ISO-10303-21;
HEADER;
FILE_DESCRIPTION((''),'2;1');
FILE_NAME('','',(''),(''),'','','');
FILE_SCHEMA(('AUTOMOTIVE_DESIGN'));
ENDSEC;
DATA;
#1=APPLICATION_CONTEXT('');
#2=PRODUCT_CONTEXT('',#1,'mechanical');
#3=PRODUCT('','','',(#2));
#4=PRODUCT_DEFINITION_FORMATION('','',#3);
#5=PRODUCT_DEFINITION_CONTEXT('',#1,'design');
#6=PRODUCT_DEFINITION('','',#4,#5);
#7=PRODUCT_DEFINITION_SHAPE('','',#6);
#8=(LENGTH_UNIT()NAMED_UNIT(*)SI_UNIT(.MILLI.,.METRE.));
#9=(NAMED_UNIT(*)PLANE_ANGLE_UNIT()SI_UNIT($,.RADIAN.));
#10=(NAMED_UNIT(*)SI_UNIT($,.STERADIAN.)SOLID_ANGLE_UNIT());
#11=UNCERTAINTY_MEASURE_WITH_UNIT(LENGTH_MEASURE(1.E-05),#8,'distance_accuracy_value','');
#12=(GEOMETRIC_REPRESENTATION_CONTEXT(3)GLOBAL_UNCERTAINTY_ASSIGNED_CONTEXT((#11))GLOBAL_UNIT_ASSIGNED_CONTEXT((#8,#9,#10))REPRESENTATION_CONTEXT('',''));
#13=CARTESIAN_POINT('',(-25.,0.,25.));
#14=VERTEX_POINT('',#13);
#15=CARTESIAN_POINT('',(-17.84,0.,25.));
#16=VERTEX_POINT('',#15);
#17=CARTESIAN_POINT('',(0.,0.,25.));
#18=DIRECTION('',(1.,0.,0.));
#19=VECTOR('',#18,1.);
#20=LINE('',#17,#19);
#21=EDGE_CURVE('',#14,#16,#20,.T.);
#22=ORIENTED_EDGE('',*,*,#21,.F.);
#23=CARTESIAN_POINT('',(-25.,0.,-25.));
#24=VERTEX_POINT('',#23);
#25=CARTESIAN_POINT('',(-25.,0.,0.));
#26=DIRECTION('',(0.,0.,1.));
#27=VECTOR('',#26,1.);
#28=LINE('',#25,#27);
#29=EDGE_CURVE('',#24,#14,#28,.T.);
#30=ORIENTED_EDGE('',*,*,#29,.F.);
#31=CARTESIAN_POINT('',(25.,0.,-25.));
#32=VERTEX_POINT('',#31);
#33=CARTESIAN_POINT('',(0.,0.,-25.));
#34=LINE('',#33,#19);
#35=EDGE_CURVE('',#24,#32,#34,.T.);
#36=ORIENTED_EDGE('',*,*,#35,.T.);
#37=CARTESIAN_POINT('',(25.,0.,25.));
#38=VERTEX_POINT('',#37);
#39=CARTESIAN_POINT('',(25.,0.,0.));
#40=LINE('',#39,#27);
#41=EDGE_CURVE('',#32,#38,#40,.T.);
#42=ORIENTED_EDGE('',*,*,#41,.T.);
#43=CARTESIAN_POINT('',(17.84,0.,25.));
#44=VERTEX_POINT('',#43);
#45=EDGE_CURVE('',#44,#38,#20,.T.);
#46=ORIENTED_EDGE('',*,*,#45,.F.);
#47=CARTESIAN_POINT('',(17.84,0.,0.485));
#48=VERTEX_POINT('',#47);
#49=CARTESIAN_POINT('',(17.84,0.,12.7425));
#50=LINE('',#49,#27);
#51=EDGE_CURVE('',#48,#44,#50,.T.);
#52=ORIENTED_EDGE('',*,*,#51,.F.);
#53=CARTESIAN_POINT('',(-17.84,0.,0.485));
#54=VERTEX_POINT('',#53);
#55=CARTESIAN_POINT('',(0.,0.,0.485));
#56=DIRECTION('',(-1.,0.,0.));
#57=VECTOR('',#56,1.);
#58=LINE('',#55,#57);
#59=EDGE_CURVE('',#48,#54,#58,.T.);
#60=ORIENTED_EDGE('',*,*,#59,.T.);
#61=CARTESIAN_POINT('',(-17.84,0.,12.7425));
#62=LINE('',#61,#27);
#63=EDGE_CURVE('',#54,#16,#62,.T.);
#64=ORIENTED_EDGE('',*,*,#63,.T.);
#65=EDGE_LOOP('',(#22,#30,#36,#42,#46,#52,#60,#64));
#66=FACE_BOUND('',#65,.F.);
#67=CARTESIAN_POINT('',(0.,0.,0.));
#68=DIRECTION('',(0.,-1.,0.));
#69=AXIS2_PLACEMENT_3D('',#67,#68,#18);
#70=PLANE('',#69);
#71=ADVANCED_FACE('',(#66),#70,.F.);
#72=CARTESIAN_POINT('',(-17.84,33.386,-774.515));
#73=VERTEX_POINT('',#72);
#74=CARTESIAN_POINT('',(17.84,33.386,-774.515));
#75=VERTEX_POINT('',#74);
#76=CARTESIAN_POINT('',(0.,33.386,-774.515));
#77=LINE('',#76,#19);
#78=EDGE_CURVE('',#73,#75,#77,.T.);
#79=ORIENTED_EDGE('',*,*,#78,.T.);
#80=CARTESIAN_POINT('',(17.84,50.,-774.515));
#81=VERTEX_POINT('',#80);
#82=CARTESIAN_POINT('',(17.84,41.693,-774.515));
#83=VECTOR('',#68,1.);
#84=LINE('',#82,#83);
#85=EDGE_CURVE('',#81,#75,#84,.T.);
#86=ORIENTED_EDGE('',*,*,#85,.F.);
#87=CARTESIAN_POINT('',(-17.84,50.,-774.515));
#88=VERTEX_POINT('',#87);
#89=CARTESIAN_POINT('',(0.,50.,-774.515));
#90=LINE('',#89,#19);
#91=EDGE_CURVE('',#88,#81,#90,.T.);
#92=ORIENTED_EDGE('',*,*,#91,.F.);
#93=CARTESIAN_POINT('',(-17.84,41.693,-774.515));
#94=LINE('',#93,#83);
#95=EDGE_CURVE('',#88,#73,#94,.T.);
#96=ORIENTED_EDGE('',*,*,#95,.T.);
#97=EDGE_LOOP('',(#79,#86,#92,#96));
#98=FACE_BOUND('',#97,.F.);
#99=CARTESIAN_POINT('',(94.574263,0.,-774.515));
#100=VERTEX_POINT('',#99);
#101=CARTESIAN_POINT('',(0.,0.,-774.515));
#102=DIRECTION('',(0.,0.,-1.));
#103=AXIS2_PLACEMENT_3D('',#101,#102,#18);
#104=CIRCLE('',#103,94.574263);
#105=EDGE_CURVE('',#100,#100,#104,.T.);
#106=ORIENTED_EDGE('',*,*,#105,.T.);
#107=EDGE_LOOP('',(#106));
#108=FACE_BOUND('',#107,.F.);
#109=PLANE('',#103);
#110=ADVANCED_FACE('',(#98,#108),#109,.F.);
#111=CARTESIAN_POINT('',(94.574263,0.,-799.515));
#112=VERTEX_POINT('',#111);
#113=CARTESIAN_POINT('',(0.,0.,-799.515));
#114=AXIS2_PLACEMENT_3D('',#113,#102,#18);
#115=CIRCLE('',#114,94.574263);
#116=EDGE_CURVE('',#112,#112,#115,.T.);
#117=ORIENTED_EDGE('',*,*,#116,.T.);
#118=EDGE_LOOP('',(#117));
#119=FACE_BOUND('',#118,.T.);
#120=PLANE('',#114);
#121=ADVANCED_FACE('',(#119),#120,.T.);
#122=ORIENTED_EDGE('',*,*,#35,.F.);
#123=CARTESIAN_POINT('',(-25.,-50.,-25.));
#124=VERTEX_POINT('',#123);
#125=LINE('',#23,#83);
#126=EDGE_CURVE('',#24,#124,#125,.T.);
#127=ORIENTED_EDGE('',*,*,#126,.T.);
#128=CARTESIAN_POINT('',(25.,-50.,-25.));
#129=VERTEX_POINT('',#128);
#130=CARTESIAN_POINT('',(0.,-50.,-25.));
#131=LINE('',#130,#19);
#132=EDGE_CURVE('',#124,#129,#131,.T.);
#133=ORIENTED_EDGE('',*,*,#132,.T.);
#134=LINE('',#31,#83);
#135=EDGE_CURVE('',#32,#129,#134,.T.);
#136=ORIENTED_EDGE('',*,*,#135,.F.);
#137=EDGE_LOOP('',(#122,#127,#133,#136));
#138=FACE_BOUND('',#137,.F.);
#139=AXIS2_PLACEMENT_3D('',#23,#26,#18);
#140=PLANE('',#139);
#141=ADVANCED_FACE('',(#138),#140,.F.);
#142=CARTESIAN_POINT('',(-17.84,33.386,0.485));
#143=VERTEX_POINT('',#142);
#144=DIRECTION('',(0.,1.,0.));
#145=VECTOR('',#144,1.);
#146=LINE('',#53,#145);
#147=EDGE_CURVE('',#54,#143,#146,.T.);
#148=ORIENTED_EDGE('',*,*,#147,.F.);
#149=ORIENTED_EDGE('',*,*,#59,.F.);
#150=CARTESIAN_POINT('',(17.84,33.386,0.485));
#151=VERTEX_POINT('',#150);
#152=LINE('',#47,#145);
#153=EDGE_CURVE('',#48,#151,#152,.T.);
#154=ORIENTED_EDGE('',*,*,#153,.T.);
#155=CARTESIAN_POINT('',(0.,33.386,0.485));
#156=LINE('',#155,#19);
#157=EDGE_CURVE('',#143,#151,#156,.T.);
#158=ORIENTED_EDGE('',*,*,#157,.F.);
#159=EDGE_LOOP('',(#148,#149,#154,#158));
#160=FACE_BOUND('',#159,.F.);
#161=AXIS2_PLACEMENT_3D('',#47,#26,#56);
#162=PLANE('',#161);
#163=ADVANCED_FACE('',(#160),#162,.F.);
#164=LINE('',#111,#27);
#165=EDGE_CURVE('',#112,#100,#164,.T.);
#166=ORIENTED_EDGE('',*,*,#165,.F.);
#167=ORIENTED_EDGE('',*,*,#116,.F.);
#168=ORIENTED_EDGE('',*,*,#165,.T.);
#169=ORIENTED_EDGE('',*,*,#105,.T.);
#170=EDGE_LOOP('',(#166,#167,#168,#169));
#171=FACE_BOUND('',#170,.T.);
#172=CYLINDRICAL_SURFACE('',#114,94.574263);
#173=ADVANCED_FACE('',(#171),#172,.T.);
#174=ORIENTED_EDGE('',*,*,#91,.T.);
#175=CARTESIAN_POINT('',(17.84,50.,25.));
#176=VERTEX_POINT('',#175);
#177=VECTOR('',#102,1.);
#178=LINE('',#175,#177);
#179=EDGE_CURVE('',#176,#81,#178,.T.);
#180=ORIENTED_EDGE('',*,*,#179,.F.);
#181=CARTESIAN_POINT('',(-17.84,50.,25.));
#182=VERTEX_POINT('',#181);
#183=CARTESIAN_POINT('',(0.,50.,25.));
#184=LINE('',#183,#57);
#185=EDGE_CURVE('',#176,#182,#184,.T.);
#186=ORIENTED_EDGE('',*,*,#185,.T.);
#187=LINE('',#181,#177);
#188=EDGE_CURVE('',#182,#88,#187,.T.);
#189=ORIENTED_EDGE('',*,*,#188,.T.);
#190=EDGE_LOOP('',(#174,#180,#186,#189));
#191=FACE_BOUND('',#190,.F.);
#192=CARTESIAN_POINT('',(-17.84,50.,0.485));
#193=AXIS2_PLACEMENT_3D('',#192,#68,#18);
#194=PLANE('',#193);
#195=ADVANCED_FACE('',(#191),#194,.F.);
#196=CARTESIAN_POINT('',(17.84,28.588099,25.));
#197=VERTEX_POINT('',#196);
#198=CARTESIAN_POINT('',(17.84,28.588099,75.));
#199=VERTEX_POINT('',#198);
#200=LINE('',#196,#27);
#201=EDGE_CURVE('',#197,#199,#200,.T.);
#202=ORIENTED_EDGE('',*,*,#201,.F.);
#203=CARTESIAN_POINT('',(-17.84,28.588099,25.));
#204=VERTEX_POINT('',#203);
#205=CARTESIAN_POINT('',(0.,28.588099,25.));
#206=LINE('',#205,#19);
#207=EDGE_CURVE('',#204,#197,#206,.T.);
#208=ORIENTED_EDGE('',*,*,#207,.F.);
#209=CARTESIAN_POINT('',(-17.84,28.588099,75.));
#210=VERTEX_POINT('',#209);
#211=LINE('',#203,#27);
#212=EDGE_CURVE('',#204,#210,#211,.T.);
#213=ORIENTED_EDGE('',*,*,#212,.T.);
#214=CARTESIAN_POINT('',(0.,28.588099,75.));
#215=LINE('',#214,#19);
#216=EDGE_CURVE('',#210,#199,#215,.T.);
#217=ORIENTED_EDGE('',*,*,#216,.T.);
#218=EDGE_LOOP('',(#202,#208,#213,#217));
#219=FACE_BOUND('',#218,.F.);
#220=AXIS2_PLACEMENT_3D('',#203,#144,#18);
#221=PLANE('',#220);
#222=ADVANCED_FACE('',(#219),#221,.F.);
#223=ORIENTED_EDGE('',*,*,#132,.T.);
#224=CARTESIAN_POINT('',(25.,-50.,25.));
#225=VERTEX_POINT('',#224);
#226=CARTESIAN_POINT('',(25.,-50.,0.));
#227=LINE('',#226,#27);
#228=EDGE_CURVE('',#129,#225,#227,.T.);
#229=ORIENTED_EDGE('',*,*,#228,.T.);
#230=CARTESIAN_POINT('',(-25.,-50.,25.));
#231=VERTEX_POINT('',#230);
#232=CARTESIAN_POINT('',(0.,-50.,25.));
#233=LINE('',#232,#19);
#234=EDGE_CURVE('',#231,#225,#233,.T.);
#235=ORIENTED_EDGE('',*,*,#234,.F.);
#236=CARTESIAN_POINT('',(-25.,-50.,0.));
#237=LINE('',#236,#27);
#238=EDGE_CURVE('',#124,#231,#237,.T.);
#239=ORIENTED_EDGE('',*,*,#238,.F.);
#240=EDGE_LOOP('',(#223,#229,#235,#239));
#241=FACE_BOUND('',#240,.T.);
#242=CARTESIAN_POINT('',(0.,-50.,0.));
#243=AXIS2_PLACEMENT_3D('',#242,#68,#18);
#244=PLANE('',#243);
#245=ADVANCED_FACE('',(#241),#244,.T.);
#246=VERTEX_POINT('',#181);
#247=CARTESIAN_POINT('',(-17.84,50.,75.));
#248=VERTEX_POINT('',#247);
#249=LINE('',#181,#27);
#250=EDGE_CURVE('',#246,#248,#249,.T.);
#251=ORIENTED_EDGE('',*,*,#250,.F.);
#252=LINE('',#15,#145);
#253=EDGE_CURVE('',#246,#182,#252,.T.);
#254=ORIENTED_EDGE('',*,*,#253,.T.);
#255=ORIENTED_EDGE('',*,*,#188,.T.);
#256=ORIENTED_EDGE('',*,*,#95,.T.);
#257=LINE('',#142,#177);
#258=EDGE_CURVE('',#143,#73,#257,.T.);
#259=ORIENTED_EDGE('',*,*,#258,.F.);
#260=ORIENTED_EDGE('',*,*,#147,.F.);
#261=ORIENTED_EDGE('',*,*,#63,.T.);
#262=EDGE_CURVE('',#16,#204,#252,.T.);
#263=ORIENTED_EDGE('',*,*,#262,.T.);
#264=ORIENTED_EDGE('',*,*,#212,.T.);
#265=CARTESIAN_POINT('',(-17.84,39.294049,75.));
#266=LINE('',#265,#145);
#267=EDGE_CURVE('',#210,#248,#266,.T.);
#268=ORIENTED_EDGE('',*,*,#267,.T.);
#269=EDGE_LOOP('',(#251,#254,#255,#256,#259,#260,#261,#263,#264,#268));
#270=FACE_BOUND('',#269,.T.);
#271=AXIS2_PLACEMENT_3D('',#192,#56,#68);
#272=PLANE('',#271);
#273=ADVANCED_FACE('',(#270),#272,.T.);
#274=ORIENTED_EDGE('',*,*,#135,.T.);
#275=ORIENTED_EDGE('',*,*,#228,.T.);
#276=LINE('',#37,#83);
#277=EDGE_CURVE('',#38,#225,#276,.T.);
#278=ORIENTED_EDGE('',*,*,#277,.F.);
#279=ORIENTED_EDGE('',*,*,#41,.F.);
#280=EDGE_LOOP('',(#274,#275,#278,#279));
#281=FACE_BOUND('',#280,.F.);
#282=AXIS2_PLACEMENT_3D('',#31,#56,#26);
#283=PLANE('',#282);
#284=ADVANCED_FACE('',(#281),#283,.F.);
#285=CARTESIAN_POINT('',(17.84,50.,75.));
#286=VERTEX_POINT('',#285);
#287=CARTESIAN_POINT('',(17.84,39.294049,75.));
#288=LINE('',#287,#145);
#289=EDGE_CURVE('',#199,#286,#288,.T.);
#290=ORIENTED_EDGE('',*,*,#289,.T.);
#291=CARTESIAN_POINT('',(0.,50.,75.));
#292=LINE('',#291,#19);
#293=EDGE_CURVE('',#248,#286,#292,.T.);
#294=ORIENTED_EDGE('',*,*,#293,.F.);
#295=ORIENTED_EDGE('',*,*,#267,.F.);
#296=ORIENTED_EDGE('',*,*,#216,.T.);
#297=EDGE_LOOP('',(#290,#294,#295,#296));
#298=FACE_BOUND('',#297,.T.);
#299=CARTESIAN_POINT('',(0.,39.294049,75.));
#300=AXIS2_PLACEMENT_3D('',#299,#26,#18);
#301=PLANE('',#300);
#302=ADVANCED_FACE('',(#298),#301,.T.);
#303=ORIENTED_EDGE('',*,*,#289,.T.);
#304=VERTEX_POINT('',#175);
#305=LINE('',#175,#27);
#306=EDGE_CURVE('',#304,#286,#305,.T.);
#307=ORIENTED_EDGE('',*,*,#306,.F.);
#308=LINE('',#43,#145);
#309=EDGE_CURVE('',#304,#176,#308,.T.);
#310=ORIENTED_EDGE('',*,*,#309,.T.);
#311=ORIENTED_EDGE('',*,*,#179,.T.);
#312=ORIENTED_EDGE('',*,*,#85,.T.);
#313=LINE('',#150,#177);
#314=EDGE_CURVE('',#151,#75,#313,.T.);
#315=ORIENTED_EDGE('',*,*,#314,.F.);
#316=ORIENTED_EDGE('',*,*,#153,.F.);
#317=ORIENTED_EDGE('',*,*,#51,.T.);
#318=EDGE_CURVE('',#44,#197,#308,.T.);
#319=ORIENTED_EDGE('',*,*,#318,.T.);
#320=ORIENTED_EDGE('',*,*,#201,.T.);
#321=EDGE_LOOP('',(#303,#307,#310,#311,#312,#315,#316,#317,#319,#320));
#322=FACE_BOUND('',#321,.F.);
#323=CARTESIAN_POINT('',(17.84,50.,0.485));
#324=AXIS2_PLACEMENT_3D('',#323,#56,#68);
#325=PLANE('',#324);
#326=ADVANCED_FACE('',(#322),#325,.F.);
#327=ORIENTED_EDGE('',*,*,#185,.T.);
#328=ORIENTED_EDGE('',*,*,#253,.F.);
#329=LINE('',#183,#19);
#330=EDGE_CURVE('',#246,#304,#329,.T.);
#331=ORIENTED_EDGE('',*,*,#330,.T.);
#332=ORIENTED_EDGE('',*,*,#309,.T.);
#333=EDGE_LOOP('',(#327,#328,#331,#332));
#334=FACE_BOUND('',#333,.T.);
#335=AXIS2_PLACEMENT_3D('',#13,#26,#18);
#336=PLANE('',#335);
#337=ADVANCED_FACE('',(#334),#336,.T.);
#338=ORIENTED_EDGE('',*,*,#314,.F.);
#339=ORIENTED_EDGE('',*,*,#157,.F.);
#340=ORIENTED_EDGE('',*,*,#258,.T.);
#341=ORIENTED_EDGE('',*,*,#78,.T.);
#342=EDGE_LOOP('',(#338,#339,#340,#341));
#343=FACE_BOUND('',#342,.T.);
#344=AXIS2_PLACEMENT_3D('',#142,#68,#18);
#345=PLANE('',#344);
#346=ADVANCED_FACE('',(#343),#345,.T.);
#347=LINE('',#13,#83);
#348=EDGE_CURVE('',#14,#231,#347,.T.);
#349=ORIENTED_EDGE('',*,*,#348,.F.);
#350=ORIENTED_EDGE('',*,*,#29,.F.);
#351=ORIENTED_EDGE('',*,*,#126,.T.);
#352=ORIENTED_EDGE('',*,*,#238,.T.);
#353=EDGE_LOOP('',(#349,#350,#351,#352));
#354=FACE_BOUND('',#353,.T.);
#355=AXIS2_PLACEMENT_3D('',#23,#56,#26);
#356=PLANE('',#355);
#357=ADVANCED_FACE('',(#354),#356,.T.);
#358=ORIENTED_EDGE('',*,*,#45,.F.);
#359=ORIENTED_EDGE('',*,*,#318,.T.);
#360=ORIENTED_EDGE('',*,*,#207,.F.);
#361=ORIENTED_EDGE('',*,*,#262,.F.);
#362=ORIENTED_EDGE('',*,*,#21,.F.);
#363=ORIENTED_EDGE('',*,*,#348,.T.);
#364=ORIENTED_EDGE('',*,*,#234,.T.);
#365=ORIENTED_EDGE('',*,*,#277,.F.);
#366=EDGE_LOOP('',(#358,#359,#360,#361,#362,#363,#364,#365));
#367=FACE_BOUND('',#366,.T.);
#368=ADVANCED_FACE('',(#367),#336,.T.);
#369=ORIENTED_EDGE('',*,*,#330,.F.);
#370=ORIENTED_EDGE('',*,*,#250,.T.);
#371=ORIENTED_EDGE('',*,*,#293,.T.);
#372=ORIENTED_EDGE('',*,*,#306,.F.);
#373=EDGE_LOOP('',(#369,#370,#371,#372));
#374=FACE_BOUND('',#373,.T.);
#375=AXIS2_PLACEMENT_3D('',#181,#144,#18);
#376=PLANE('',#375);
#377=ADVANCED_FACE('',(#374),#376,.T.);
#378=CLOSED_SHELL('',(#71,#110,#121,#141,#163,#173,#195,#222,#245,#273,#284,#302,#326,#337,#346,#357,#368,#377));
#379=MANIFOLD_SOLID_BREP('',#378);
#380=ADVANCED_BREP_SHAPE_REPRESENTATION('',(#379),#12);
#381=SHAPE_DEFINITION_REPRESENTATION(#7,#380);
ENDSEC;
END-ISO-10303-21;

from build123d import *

# Parameters (mm, degrees)
F0_W      = 50
F0_H      = 50
F1_DEPTH  = 50
F2_W      = 35.68
F2_H      = 24.515
F4_DEPTH  = 50
F5_W      = 35.68
F5_H      = 21.411901
F6_DEPTH  = 50
F7_W      = 35.68
F7_H      = 16.614
F8_DEPTH  = 800
F9_R      = 94.574263
F9_W      = 35.68
F9_H      = 16.614
F11_DEPTH = 25


with BuildPart() as f1:
    # F0 (on Front) → F1 (new body)
    with BuildSketch(Plane.XZ):
        Rectangle(F0_W, F0_H)
    extrude(amount=F1_DEPTH)

    # F2 (on face) → F4 (join)
    with BuildSketch(Plane(origin=(0, 0, 0), x_dir=(-1, 0, 0), z_dir=(0, 1, 0))):
        with Locations((0, 12.7425)):
            Rectangle(F2_W, F2_H)
    extrude(amount=F4_DEPTH)

    # F5 (on face) → F6 (join)
    with BuildSketch(Plane.XY.offset(25)):
        with Locations((0, 39.294049)):
            Rectangle(F5_W, F5_H)
    extrude(amount=F6_DEPTH)

    # F7 (on face) → F8 (join)
    with BuildSketch(Plane(origin=(0, 0, 0.485), x_dir=(1, 0, 0), z_dir=(0, 0, -1))):
        with Locations((0, -41.693)):
            Rectangle(F7_W, F7_H)
    extrude(amount=F8_DEPTH)

    # F9 (on face) → F11 (join)
    with BuildSketch(Plane(origin=(0, 0, -799.515), x_dir=(1, 0, 0), z_dir=(0, 0, -1))):
        Circle(F9_R)
        with Locations((0, -41.693)):
            Rectangle(F9_W, F9_H, mode=Mode.SUBTRACT)
    extrude(amount=-F11_DEPTH)


solid = f1.part
